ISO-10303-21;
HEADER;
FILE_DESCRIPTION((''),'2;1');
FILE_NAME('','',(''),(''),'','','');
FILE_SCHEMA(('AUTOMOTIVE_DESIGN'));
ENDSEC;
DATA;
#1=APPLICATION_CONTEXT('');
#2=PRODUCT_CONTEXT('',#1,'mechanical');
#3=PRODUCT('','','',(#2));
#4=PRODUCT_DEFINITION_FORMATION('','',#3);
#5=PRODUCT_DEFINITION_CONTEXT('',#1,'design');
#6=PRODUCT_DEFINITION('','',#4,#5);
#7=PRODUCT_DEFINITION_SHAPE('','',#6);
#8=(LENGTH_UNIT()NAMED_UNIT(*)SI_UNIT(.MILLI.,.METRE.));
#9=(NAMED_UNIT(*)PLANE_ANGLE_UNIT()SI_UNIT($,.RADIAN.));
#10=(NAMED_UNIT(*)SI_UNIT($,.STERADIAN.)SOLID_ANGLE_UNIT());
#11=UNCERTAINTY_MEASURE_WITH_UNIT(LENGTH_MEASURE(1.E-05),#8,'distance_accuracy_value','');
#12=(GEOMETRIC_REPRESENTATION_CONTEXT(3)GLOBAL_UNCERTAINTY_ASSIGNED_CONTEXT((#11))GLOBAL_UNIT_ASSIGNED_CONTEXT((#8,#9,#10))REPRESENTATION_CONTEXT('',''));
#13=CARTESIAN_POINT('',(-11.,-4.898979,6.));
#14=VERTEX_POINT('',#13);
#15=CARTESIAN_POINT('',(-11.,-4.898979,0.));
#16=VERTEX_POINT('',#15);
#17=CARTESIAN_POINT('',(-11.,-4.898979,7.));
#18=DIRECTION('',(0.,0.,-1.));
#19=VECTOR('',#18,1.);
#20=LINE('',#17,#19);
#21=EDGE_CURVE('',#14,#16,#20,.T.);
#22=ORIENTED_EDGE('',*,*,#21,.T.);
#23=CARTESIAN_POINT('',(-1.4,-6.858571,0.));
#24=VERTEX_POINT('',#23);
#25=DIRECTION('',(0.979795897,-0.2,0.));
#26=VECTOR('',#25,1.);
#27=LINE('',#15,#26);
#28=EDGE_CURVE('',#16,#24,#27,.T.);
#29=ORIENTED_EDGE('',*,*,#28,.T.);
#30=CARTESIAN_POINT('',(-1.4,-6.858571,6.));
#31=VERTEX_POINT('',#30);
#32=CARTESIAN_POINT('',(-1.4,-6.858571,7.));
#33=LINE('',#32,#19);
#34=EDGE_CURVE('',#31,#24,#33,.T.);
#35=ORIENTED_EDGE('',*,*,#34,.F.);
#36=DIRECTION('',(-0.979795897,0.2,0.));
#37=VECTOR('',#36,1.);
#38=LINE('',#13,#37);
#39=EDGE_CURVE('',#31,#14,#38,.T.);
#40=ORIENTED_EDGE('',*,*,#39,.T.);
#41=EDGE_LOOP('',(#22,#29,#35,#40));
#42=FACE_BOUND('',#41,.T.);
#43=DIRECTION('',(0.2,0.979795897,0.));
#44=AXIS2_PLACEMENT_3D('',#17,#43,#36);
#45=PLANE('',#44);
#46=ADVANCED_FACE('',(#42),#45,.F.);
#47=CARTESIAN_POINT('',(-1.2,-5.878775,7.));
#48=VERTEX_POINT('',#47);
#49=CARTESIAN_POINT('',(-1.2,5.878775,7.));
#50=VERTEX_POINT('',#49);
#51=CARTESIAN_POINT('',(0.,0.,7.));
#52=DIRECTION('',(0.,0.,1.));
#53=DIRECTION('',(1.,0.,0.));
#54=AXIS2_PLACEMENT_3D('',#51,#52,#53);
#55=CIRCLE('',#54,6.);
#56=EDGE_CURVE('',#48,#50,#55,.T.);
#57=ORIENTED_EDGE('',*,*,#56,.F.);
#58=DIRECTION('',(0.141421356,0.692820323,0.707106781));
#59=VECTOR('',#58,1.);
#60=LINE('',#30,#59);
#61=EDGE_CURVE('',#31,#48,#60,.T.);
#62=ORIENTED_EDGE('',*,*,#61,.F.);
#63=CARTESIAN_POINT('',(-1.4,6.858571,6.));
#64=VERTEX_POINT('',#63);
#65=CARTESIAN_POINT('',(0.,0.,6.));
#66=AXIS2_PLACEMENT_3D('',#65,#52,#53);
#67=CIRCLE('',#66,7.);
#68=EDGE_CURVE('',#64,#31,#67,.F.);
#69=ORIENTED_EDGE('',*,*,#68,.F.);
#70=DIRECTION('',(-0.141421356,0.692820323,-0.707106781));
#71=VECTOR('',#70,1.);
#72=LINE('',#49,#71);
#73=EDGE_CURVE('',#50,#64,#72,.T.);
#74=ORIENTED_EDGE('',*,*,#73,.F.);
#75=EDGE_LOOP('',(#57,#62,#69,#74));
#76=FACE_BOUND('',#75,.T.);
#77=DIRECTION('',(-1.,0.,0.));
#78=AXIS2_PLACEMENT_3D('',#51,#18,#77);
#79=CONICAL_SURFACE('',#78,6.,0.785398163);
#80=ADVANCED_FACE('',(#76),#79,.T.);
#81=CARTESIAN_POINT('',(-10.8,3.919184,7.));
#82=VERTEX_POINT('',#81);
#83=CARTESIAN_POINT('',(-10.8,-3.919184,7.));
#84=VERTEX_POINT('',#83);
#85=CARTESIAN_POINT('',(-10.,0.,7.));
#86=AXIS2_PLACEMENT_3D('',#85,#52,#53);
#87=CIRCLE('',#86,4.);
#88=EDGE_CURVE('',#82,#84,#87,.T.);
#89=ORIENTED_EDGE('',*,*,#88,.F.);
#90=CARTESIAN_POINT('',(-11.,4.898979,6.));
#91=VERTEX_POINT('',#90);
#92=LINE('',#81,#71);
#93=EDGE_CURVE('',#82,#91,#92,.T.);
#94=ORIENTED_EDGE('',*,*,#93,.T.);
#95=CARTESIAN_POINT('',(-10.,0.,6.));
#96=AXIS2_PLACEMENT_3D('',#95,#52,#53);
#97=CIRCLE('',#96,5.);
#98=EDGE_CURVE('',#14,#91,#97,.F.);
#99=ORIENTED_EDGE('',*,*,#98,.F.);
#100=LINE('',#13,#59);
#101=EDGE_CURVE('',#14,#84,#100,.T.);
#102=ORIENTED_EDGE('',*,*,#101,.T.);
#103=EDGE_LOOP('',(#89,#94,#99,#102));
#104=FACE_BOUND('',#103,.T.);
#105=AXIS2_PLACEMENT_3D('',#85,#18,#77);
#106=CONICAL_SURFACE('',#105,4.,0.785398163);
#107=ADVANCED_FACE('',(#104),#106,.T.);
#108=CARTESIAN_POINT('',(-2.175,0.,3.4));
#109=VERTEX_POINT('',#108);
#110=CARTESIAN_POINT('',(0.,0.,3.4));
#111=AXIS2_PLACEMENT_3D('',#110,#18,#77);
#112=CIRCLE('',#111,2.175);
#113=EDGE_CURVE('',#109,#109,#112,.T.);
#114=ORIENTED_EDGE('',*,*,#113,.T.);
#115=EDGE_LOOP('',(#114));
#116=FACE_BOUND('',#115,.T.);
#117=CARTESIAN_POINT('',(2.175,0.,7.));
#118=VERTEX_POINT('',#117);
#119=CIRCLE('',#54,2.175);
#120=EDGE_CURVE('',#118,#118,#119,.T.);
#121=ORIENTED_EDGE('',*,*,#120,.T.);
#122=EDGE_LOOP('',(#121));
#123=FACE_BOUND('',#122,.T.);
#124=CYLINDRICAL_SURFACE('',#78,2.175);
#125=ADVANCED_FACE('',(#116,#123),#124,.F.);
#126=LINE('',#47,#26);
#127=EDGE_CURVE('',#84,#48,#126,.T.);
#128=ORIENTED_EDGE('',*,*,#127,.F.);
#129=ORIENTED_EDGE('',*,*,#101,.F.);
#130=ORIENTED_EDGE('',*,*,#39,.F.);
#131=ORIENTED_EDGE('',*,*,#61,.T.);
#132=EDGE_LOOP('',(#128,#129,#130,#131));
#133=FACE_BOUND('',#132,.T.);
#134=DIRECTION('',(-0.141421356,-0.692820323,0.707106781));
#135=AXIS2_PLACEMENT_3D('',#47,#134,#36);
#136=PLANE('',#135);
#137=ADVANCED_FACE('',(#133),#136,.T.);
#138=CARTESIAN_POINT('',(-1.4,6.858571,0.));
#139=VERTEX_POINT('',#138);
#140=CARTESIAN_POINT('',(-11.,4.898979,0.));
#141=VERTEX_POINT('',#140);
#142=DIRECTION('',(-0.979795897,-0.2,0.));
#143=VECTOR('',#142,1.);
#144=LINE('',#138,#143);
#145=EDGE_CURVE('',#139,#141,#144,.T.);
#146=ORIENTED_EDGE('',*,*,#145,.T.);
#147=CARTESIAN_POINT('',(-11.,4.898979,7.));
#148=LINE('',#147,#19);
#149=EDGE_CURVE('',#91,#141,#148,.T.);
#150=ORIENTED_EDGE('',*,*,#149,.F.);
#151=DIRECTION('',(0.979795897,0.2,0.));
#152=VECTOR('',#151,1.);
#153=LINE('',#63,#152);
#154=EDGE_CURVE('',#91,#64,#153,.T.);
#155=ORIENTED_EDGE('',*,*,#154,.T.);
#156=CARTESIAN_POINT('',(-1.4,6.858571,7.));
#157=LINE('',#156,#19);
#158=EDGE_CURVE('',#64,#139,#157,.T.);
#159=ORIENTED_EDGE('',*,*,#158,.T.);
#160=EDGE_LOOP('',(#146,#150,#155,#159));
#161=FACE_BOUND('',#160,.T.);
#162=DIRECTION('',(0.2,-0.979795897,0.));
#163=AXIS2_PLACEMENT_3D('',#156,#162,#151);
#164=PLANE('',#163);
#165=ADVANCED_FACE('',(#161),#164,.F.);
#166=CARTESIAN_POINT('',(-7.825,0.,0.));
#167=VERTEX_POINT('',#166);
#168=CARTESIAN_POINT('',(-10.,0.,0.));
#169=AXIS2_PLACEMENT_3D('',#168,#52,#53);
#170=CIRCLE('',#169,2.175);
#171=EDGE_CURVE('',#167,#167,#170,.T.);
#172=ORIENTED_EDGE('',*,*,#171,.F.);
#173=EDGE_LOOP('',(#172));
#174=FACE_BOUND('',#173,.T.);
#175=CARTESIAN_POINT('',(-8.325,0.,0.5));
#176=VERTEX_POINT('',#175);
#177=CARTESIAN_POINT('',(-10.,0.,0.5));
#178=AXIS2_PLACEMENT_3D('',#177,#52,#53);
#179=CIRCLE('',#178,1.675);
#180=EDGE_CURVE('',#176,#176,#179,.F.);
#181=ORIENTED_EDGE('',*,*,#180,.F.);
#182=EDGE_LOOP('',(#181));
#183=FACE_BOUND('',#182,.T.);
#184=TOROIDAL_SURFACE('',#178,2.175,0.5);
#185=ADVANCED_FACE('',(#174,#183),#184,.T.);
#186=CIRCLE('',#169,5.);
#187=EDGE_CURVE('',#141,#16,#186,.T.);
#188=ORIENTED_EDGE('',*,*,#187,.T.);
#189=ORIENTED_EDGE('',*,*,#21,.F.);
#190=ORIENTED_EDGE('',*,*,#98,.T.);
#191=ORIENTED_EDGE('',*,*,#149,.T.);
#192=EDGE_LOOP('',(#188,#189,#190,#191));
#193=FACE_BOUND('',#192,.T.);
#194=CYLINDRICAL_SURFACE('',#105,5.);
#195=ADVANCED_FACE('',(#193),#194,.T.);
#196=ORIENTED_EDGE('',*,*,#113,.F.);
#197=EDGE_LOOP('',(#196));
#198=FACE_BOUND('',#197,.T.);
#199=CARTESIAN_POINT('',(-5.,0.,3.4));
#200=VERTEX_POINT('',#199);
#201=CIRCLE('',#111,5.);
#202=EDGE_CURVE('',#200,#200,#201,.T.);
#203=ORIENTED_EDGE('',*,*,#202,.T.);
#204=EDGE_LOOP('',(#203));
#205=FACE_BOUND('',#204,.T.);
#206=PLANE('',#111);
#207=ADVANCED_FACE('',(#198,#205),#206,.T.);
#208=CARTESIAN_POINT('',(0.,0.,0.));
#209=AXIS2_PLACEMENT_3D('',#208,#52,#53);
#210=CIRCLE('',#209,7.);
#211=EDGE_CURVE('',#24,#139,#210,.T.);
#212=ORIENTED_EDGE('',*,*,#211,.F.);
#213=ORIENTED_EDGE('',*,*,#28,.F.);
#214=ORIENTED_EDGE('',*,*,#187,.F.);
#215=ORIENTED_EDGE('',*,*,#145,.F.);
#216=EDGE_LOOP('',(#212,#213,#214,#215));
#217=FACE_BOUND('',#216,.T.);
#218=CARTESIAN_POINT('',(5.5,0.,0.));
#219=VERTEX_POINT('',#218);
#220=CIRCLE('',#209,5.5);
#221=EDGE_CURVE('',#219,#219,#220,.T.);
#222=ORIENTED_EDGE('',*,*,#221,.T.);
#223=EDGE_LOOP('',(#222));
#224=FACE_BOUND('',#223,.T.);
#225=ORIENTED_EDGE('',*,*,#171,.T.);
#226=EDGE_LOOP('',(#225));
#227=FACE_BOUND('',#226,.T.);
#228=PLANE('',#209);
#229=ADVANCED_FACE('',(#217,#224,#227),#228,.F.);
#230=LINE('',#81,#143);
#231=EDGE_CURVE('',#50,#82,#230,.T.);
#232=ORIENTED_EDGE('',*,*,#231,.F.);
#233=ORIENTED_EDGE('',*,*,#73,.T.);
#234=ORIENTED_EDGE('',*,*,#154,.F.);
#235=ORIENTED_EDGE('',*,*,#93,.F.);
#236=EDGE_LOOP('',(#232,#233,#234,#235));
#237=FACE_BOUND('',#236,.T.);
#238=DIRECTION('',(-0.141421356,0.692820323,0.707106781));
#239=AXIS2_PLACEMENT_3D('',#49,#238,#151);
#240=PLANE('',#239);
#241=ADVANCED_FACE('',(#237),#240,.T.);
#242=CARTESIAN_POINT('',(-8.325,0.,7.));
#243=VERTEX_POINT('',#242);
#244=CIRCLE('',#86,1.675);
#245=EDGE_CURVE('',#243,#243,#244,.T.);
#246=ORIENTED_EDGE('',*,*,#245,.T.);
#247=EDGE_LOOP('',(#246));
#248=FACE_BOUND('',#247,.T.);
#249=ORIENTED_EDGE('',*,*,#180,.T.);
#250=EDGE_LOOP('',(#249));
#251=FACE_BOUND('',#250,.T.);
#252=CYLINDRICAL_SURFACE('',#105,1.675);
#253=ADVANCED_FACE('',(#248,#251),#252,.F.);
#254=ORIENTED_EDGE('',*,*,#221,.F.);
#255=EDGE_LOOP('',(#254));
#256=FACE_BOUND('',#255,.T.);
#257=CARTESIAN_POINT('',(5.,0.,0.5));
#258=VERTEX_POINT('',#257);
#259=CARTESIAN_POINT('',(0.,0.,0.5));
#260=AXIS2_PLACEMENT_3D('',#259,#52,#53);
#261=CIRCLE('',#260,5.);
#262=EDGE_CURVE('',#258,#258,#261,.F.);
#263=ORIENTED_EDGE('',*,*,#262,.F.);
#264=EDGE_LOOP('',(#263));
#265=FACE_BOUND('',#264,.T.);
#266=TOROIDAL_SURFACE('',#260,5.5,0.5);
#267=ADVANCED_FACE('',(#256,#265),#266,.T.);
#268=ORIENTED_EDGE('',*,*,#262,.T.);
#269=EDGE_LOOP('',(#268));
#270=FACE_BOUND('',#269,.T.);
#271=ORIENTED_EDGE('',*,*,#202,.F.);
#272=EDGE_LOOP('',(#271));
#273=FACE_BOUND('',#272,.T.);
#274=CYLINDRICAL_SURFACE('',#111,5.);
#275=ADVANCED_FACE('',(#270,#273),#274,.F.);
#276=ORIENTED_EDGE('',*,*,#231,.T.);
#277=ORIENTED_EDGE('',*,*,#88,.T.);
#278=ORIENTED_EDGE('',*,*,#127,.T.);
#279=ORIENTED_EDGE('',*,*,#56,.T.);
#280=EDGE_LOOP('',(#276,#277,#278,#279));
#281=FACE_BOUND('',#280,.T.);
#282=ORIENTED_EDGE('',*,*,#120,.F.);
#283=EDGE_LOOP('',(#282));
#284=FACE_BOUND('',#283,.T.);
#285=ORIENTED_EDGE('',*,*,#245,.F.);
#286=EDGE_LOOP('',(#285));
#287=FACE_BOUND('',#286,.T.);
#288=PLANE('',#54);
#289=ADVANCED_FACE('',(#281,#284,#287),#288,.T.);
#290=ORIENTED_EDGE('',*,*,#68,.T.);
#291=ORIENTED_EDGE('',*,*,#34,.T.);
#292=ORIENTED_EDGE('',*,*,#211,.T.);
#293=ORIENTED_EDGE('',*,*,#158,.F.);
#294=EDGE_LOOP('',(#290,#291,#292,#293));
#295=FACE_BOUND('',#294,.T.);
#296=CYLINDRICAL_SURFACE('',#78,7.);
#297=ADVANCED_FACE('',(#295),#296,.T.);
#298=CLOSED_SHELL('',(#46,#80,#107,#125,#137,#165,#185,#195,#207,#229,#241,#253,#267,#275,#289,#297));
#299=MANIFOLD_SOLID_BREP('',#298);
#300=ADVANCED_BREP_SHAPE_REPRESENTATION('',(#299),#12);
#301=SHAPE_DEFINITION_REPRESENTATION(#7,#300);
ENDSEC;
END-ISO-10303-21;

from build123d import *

# Parameters (mm, degrees)
SKETCH1_R           = 2.175
SKETCH1_R_2         = 1.675
BOSS_EXTRUDE1_DEPTH = 7
SKETCH2_R           = 5
CUT_EXTRUDE1_DEPTH  = 3.4
CHAMFER1_SIZE       = 1
FILLET1_R           = 0.5


with BuildPart() as part:
    # Sketch1 → Boss-Extrude1 (new body)
    with BuildSketch(Plane.XY):
        with BuildLine():
            Line((-1.4, 6.85857128), (-11, 4.898979486))
            ThreePointArc((-11, 4.898979486), (-15, 0), (-11, -4.898979486))
            Line((-11, -4.898979486), (-1.4, -6.85857128))
            ThreePointArc((-1.4, -6.85857128), (7, 0), (-1.4, 6.85857128))
        make_face()
        Circle(SKETCH1_R, mode=Mode.SUBTRACT)
        with Locations((-10, 0)):
            Circle(SKETCH1_R_2, mode=Mode.SUBTRACT)
    extrude(amount=BOSS_EXTRUDE1_DEPTH)

    # Sketch2 → Cut-Extrude1 (cut)
    with BuildSketch(Plane(origin=(0, 0, 0), x_dir=(-1, 0, 0), z_dir=(0, 0, -1))):
        Circle(SKETCH2_R)
    extrude(amount=-CUT_EXTRUDE1_DEPTH, mode=Mode.SUBTRACT)

    # Chamfer1
    chamfer1_edges = [part.edges().sort_by_distance(p)[0] for p in [
        (-15, 0, 7),
        (-6.2, -5.878775383, 7),
        (7, 0, 7),
        (-6.2, 5.878775383, 7),
    ]]
    chamfer(chamfer1_edges, length=CHAMFER1_SIZE)

    # Fillet1
    fillet1_edges = [part.edges().sort_by_distance(p)[0] for p in [
        (-11.675, 0, 0),
        (5, 0, 0),
    ]]
    fillet(fillet1_edges, radius=FILLET1_R)


solid = part.part
